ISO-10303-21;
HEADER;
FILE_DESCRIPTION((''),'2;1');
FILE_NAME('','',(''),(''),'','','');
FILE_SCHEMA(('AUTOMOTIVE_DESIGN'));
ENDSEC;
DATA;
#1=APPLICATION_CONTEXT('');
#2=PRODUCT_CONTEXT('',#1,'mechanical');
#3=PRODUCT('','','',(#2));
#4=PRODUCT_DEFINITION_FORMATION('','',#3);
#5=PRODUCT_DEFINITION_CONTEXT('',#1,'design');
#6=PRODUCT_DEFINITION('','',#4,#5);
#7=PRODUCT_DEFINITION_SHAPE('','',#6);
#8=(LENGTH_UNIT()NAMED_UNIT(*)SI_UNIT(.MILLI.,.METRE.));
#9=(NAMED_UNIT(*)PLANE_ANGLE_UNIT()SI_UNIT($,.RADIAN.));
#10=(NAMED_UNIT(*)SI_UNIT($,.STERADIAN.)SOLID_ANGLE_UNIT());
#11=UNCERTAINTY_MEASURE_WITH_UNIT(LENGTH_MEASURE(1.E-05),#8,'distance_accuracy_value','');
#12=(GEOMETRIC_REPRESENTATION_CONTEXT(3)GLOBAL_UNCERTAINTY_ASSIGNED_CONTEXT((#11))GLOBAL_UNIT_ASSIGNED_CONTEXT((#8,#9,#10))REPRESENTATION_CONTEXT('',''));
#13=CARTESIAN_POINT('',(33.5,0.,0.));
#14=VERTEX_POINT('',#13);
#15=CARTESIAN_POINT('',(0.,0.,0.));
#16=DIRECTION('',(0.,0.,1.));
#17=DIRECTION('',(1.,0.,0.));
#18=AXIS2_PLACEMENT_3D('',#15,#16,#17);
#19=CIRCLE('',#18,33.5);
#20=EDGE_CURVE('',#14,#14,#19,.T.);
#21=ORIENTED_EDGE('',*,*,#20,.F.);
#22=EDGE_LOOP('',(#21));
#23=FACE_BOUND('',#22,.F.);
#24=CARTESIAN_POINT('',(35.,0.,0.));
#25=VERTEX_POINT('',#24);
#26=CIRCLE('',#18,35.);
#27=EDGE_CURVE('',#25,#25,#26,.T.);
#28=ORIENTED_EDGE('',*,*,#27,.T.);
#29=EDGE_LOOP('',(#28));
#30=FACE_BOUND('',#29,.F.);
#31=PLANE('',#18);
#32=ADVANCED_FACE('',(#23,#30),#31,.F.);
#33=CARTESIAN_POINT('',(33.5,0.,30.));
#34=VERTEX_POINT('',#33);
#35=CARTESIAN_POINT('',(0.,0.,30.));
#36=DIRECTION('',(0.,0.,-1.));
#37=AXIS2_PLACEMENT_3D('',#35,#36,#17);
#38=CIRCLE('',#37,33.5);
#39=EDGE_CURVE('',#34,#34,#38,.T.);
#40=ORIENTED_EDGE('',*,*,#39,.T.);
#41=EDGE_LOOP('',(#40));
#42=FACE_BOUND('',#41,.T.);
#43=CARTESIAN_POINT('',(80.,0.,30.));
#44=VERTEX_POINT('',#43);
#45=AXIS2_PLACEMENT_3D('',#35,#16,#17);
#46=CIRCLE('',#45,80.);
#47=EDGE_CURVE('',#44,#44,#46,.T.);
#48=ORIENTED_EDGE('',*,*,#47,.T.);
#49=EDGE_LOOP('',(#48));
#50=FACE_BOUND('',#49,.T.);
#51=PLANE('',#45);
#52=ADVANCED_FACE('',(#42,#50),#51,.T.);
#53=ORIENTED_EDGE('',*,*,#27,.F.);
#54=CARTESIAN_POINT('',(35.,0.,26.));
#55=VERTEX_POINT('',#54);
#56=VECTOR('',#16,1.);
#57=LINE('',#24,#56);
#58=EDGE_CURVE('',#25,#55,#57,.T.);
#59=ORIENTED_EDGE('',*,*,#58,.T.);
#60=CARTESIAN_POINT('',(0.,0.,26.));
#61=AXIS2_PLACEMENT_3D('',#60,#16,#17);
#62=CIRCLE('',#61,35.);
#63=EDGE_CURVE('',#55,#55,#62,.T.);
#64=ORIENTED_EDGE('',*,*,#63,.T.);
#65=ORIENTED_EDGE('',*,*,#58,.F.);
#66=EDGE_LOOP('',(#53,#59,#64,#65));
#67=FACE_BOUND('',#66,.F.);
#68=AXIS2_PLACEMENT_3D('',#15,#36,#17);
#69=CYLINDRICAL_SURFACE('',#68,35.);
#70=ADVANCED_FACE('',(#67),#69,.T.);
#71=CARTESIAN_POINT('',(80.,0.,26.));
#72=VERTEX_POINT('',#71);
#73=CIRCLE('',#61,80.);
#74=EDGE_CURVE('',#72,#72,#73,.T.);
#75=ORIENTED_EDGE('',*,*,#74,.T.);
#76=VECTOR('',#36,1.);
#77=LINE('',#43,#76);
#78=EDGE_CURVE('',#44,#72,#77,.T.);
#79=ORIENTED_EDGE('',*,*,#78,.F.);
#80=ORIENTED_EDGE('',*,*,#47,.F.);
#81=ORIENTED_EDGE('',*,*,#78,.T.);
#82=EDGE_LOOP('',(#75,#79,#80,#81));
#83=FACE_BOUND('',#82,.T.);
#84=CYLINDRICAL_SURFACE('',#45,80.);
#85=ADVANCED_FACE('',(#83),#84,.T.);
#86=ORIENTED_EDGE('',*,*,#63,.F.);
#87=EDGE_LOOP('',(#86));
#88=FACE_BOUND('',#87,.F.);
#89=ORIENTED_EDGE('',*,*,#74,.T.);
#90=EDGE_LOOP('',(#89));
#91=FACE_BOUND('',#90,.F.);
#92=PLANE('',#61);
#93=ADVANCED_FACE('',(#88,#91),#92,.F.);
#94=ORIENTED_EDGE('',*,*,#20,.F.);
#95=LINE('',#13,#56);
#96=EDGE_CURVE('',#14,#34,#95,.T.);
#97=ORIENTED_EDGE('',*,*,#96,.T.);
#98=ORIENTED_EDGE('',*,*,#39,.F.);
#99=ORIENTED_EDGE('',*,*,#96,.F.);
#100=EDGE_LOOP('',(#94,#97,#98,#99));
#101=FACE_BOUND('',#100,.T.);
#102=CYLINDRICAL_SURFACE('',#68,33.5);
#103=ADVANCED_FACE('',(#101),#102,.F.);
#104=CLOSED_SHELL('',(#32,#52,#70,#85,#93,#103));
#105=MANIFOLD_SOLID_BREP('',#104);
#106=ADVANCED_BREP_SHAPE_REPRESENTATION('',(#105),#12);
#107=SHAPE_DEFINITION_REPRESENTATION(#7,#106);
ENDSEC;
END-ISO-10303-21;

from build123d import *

# Parameters (mm, degrees)
SKETCH_R      = 35
PAD_DEPTH     = 30
SKETCH001_R   = 33.5
POCKET_DEPTH  = 30.001
SKETCH002_R   = 80
SKETCH002_R_2 = 35
PAD001_DEPTH  = 4


with BuildPart() as part:
    # Sketch → Pad (new body)
    with BuildSketch(Plane.XY):
        Circle(SKETCH_R)
    extrude(amount=PAD_DEPTH)

    # Sketch001 → Pocket (cut, through all)
    with BuildSketch(Plane.XY):
        Circle(SKETCH001_R)
    extrude(amount=POCKET_DEPTH, mode=Mode.SUBTRACT)

    # Sketch002 (on DatumPlane) → Pad001 (join)
    with BuildSketch(Plane.XY.offset(30)):
        Circle(SKETCH002_R)
        Circle(SKETCH002_R_2, mode=Mode.SUBTRACT)
    extrude(amount=-PAD001_DEPTH)


solid = part.part
